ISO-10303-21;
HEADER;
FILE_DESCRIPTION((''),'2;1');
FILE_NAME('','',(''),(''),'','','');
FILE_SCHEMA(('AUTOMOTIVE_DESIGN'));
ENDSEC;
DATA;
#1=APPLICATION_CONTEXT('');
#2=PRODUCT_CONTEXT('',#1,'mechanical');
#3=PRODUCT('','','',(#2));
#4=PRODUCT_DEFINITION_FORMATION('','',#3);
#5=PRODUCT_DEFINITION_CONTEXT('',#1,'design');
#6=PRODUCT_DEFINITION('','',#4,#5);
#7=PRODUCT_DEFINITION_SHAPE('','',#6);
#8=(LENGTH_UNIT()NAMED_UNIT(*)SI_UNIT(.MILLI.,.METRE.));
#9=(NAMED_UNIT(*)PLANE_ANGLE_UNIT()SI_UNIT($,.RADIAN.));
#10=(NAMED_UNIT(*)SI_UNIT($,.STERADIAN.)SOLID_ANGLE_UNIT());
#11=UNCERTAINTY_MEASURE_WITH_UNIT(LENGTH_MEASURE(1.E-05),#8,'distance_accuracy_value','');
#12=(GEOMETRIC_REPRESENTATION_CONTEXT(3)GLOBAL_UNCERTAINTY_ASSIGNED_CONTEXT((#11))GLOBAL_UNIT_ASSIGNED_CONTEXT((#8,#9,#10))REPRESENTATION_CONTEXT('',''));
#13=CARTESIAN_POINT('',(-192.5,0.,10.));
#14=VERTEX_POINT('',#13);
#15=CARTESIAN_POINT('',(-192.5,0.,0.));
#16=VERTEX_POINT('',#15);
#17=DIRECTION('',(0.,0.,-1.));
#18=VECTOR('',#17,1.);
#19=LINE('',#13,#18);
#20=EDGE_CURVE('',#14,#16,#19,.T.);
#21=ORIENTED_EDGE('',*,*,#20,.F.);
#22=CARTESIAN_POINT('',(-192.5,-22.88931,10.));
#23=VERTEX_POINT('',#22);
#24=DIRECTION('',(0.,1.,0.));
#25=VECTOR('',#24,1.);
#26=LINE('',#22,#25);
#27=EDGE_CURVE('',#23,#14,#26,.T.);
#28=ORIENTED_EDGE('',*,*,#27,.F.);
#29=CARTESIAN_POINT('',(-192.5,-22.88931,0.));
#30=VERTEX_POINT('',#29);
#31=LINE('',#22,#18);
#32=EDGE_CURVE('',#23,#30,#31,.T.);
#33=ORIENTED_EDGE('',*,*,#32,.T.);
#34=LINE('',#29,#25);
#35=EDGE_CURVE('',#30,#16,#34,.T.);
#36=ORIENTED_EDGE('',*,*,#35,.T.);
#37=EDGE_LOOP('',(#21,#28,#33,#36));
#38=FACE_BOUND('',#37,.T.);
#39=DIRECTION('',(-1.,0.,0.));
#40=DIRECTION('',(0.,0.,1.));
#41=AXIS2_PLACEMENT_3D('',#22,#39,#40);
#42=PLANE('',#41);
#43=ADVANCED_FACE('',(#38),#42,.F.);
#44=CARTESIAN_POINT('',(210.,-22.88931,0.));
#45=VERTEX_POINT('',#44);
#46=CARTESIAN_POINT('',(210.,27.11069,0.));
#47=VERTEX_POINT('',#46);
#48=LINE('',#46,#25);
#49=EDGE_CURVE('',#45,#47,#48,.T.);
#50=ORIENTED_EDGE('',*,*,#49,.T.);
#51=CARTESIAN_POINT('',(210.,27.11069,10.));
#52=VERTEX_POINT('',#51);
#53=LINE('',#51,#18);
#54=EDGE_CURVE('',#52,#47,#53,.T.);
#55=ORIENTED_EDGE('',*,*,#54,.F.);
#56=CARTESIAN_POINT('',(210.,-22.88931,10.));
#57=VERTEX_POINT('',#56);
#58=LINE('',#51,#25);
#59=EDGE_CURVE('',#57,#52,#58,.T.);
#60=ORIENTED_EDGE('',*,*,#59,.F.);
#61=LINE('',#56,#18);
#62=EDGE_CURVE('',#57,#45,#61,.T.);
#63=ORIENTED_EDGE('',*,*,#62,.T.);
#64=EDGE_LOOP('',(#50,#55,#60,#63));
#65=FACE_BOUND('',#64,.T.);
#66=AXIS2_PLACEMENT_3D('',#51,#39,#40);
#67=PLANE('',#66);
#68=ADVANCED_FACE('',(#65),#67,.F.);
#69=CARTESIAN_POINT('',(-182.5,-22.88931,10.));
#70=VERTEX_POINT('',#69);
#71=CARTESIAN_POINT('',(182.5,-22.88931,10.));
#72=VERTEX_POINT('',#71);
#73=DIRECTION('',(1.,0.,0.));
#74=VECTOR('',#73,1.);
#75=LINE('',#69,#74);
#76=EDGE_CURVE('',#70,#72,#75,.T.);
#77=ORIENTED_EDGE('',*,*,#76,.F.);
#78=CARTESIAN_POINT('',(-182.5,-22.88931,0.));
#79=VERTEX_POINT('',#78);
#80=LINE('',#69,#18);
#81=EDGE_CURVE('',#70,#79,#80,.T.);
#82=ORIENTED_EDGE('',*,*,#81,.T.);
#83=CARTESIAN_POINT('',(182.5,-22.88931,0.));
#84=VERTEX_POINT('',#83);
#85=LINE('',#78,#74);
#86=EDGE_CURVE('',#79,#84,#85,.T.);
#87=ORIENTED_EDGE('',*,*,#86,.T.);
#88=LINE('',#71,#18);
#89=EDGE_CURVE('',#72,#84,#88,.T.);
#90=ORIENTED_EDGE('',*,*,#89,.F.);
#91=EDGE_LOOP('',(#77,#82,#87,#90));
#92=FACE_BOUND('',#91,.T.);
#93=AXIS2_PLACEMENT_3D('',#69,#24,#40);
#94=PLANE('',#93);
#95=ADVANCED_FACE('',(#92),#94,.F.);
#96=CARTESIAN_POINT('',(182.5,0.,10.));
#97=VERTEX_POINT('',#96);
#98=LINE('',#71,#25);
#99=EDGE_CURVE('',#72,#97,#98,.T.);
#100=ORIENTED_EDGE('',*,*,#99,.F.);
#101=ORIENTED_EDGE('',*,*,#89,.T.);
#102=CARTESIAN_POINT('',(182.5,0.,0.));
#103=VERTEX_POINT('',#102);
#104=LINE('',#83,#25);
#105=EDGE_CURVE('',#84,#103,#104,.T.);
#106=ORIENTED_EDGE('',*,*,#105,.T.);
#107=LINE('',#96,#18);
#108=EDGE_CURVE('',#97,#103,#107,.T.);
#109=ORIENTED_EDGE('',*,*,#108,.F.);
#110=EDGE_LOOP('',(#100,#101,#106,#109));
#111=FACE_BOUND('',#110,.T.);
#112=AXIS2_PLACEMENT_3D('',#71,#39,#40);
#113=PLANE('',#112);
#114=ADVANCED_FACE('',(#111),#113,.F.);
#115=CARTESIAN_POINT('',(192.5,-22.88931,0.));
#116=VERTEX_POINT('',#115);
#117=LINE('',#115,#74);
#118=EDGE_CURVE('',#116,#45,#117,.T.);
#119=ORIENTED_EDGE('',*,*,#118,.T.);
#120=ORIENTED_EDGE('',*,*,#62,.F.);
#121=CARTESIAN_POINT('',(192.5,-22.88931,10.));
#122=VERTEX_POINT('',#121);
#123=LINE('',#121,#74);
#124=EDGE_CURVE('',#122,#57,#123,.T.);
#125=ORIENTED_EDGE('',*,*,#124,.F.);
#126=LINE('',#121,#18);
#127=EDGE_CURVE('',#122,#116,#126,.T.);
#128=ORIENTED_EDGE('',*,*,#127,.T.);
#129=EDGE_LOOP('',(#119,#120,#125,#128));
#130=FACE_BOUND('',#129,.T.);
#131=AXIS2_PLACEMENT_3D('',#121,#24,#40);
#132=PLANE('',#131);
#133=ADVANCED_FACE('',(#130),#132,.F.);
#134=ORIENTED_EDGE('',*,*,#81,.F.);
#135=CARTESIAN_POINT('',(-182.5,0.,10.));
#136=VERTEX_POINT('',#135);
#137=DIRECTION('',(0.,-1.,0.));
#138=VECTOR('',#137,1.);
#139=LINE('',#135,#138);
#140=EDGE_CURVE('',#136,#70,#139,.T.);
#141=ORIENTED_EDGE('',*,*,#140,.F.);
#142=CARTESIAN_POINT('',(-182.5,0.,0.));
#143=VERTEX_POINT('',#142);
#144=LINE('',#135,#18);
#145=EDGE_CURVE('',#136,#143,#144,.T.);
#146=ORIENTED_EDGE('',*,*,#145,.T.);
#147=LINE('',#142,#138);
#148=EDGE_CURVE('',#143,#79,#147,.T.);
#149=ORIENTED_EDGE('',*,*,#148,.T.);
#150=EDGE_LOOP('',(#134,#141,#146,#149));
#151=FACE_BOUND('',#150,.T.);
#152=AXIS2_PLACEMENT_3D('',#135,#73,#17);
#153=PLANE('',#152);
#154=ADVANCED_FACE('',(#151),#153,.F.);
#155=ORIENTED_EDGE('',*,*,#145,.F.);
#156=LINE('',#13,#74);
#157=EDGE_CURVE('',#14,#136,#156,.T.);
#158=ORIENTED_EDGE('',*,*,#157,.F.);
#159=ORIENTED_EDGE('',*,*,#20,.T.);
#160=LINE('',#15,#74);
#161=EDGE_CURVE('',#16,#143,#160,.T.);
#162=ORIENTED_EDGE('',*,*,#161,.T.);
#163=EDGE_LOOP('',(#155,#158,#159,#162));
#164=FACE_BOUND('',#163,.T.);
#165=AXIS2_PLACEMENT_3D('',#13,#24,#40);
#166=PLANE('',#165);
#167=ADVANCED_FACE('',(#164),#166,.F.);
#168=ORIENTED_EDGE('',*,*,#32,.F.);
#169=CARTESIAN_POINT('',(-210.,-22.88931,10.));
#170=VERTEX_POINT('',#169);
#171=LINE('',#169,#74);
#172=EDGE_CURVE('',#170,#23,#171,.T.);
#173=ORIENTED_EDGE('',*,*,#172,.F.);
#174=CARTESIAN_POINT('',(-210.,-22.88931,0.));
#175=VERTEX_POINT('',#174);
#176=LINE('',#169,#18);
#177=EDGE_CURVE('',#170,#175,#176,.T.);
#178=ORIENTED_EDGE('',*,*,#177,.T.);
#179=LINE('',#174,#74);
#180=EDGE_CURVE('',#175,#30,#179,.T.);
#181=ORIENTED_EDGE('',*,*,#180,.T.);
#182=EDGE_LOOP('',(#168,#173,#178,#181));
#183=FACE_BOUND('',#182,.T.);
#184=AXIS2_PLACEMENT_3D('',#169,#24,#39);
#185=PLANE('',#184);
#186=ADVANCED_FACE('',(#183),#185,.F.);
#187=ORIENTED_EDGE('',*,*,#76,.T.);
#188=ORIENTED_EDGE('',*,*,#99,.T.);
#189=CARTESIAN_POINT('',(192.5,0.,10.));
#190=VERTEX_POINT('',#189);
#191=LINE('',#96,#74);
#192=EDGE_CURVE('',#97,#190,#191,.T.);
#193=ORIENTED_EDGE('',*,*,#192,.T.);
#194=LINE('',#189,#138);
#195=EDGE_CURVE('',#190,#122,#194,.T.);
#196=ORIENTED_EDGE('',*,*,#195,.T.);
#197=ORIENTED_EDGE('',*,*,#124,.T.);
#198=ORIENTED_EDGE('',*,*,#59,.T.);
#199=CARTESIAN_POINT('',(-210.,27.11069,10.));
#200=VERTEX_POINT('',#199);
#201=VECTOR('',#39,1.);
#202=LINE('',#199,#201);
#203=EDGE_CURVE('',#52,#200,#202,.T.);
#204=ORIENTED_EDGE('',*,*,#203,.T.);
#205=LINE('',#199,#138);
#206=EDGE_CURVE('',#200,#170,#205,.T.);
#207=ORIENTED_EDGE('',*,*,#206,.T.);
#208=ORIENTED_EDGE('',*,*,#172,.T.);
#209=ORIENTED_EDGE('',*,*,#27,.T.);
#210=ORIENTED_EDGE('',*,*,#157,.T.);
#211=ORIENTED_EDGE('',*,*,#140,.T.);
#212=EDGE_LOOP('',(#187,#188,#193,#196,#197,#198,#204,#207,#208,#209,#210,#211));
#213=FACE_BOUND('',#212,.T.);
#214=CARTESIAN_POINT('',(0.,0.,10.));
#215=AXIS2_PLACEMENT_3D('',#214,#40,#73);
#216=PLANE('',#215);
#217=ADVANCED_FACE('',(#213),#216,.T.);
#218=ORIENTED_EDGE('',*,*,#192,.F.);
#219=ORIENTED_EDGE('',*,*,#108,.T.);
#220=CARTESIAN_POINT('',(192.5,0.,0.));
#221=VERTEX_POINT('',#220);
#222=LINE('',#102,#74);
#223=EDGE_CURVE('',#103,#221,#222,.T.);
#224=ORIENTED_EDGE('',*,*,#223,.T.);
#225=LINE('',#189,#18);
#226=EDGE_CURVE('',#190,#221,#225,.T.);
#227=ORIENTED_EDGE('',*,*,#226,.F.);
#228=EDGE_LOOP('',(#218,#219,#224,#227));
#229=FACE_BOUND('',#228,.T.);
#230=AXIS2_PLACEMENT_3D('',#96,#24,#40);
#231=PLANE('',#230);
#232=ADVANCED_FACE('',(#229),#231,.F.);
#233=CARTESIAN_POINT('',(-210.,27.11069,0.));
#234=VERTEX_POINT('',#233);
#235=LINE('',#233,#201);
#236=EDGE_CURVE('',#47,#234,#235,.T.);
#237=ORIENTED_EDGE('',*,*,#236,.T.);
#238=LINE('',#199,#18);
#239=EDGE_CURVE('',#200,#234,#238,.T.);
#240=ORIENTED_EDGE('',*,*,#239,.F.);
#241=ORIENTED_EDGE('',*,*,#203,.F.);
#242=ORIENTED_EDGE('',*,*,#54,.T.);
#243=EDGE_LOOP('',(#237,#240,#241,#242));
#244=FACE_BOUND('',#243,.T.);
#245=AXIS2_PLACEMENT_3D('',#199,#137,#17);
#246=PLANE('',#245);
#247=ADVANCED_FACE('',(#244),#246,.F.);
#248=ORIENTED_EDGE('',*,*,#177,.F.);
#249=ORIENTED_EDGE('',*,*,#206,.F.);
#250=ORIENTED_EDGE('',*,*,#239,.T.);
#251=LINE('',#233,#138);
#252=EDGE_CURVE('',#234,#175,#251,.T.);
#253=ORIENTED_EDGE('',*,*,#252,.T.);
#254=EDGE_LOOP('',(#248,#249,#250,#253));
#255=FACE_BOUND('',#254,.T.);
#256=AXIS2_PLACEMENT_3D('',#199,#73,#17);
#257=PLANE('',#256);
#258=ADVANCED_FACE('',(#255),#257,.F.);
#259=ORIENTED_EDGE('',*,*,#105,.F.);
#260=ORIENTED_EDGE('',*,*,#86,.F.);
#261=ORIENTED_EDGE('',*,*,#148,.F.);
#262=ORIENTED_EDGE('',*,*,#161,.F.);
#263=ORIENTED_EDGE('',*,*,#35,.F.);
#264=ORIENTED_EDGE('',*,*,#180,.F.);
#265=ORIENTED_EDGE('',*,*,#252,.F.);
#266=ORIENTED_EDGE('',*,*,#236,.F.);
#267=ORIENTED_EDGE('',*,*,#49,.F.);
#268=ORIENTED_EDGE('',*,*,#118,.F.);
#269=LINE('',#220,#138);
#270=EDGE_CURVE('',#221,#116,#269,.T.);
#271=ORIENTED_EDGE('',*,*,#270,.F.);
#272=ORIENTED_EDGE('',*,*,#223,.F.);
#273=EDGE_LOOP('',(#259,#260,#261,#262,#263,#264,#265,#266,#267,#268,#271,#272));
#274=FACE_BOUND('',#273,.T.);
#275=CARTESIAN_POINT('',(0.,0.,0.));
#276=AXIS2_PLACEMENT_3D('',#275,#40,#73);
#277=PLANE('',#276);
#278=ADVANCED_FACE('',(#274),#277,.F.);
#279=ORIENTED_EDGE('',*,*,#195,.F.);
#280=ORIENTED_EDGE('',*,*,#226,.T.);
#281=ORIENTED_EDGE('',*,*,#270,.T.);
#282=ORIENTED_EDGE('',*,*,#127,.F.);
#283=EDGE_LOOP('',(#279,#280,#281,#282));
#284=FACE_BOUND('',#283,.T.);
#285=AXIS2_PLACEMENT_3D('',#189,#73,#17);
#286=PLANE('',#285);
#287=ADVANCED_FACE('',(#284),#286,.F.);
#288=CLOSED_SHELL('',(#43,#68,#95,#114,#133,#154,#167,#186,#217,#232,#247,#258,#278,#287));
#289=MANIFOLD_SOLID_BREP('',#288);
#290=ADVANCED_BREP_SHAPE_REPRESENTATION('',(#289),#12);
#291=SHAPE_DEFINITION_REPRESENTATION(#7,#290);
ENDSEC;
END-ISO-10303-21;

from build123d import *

# Parameters (mm, degrees)
BOSS_EXTRUDE1_DEPTH = 10


with BuildPart() as part:
    # Sketch1 → Boss-Extrude1 (new body)
    with BuildSketch(Plane.XY):
        Polygon((-192.5, -22.889310147), (-192.5, 0), (-182.5, 0), (-182.5, -22.889310147), (182.5, -22.889310147), (182.5, 0), (192.5, 0), (192.5, -22.889310147), (210, -22.889310147), (210, 27.110689853), (-210, 27.110689853), (-210, -22.889310147), align=None)
    extrude(amount=BOSS_EXTRUDE1_DEPTH)


solid = part.part
